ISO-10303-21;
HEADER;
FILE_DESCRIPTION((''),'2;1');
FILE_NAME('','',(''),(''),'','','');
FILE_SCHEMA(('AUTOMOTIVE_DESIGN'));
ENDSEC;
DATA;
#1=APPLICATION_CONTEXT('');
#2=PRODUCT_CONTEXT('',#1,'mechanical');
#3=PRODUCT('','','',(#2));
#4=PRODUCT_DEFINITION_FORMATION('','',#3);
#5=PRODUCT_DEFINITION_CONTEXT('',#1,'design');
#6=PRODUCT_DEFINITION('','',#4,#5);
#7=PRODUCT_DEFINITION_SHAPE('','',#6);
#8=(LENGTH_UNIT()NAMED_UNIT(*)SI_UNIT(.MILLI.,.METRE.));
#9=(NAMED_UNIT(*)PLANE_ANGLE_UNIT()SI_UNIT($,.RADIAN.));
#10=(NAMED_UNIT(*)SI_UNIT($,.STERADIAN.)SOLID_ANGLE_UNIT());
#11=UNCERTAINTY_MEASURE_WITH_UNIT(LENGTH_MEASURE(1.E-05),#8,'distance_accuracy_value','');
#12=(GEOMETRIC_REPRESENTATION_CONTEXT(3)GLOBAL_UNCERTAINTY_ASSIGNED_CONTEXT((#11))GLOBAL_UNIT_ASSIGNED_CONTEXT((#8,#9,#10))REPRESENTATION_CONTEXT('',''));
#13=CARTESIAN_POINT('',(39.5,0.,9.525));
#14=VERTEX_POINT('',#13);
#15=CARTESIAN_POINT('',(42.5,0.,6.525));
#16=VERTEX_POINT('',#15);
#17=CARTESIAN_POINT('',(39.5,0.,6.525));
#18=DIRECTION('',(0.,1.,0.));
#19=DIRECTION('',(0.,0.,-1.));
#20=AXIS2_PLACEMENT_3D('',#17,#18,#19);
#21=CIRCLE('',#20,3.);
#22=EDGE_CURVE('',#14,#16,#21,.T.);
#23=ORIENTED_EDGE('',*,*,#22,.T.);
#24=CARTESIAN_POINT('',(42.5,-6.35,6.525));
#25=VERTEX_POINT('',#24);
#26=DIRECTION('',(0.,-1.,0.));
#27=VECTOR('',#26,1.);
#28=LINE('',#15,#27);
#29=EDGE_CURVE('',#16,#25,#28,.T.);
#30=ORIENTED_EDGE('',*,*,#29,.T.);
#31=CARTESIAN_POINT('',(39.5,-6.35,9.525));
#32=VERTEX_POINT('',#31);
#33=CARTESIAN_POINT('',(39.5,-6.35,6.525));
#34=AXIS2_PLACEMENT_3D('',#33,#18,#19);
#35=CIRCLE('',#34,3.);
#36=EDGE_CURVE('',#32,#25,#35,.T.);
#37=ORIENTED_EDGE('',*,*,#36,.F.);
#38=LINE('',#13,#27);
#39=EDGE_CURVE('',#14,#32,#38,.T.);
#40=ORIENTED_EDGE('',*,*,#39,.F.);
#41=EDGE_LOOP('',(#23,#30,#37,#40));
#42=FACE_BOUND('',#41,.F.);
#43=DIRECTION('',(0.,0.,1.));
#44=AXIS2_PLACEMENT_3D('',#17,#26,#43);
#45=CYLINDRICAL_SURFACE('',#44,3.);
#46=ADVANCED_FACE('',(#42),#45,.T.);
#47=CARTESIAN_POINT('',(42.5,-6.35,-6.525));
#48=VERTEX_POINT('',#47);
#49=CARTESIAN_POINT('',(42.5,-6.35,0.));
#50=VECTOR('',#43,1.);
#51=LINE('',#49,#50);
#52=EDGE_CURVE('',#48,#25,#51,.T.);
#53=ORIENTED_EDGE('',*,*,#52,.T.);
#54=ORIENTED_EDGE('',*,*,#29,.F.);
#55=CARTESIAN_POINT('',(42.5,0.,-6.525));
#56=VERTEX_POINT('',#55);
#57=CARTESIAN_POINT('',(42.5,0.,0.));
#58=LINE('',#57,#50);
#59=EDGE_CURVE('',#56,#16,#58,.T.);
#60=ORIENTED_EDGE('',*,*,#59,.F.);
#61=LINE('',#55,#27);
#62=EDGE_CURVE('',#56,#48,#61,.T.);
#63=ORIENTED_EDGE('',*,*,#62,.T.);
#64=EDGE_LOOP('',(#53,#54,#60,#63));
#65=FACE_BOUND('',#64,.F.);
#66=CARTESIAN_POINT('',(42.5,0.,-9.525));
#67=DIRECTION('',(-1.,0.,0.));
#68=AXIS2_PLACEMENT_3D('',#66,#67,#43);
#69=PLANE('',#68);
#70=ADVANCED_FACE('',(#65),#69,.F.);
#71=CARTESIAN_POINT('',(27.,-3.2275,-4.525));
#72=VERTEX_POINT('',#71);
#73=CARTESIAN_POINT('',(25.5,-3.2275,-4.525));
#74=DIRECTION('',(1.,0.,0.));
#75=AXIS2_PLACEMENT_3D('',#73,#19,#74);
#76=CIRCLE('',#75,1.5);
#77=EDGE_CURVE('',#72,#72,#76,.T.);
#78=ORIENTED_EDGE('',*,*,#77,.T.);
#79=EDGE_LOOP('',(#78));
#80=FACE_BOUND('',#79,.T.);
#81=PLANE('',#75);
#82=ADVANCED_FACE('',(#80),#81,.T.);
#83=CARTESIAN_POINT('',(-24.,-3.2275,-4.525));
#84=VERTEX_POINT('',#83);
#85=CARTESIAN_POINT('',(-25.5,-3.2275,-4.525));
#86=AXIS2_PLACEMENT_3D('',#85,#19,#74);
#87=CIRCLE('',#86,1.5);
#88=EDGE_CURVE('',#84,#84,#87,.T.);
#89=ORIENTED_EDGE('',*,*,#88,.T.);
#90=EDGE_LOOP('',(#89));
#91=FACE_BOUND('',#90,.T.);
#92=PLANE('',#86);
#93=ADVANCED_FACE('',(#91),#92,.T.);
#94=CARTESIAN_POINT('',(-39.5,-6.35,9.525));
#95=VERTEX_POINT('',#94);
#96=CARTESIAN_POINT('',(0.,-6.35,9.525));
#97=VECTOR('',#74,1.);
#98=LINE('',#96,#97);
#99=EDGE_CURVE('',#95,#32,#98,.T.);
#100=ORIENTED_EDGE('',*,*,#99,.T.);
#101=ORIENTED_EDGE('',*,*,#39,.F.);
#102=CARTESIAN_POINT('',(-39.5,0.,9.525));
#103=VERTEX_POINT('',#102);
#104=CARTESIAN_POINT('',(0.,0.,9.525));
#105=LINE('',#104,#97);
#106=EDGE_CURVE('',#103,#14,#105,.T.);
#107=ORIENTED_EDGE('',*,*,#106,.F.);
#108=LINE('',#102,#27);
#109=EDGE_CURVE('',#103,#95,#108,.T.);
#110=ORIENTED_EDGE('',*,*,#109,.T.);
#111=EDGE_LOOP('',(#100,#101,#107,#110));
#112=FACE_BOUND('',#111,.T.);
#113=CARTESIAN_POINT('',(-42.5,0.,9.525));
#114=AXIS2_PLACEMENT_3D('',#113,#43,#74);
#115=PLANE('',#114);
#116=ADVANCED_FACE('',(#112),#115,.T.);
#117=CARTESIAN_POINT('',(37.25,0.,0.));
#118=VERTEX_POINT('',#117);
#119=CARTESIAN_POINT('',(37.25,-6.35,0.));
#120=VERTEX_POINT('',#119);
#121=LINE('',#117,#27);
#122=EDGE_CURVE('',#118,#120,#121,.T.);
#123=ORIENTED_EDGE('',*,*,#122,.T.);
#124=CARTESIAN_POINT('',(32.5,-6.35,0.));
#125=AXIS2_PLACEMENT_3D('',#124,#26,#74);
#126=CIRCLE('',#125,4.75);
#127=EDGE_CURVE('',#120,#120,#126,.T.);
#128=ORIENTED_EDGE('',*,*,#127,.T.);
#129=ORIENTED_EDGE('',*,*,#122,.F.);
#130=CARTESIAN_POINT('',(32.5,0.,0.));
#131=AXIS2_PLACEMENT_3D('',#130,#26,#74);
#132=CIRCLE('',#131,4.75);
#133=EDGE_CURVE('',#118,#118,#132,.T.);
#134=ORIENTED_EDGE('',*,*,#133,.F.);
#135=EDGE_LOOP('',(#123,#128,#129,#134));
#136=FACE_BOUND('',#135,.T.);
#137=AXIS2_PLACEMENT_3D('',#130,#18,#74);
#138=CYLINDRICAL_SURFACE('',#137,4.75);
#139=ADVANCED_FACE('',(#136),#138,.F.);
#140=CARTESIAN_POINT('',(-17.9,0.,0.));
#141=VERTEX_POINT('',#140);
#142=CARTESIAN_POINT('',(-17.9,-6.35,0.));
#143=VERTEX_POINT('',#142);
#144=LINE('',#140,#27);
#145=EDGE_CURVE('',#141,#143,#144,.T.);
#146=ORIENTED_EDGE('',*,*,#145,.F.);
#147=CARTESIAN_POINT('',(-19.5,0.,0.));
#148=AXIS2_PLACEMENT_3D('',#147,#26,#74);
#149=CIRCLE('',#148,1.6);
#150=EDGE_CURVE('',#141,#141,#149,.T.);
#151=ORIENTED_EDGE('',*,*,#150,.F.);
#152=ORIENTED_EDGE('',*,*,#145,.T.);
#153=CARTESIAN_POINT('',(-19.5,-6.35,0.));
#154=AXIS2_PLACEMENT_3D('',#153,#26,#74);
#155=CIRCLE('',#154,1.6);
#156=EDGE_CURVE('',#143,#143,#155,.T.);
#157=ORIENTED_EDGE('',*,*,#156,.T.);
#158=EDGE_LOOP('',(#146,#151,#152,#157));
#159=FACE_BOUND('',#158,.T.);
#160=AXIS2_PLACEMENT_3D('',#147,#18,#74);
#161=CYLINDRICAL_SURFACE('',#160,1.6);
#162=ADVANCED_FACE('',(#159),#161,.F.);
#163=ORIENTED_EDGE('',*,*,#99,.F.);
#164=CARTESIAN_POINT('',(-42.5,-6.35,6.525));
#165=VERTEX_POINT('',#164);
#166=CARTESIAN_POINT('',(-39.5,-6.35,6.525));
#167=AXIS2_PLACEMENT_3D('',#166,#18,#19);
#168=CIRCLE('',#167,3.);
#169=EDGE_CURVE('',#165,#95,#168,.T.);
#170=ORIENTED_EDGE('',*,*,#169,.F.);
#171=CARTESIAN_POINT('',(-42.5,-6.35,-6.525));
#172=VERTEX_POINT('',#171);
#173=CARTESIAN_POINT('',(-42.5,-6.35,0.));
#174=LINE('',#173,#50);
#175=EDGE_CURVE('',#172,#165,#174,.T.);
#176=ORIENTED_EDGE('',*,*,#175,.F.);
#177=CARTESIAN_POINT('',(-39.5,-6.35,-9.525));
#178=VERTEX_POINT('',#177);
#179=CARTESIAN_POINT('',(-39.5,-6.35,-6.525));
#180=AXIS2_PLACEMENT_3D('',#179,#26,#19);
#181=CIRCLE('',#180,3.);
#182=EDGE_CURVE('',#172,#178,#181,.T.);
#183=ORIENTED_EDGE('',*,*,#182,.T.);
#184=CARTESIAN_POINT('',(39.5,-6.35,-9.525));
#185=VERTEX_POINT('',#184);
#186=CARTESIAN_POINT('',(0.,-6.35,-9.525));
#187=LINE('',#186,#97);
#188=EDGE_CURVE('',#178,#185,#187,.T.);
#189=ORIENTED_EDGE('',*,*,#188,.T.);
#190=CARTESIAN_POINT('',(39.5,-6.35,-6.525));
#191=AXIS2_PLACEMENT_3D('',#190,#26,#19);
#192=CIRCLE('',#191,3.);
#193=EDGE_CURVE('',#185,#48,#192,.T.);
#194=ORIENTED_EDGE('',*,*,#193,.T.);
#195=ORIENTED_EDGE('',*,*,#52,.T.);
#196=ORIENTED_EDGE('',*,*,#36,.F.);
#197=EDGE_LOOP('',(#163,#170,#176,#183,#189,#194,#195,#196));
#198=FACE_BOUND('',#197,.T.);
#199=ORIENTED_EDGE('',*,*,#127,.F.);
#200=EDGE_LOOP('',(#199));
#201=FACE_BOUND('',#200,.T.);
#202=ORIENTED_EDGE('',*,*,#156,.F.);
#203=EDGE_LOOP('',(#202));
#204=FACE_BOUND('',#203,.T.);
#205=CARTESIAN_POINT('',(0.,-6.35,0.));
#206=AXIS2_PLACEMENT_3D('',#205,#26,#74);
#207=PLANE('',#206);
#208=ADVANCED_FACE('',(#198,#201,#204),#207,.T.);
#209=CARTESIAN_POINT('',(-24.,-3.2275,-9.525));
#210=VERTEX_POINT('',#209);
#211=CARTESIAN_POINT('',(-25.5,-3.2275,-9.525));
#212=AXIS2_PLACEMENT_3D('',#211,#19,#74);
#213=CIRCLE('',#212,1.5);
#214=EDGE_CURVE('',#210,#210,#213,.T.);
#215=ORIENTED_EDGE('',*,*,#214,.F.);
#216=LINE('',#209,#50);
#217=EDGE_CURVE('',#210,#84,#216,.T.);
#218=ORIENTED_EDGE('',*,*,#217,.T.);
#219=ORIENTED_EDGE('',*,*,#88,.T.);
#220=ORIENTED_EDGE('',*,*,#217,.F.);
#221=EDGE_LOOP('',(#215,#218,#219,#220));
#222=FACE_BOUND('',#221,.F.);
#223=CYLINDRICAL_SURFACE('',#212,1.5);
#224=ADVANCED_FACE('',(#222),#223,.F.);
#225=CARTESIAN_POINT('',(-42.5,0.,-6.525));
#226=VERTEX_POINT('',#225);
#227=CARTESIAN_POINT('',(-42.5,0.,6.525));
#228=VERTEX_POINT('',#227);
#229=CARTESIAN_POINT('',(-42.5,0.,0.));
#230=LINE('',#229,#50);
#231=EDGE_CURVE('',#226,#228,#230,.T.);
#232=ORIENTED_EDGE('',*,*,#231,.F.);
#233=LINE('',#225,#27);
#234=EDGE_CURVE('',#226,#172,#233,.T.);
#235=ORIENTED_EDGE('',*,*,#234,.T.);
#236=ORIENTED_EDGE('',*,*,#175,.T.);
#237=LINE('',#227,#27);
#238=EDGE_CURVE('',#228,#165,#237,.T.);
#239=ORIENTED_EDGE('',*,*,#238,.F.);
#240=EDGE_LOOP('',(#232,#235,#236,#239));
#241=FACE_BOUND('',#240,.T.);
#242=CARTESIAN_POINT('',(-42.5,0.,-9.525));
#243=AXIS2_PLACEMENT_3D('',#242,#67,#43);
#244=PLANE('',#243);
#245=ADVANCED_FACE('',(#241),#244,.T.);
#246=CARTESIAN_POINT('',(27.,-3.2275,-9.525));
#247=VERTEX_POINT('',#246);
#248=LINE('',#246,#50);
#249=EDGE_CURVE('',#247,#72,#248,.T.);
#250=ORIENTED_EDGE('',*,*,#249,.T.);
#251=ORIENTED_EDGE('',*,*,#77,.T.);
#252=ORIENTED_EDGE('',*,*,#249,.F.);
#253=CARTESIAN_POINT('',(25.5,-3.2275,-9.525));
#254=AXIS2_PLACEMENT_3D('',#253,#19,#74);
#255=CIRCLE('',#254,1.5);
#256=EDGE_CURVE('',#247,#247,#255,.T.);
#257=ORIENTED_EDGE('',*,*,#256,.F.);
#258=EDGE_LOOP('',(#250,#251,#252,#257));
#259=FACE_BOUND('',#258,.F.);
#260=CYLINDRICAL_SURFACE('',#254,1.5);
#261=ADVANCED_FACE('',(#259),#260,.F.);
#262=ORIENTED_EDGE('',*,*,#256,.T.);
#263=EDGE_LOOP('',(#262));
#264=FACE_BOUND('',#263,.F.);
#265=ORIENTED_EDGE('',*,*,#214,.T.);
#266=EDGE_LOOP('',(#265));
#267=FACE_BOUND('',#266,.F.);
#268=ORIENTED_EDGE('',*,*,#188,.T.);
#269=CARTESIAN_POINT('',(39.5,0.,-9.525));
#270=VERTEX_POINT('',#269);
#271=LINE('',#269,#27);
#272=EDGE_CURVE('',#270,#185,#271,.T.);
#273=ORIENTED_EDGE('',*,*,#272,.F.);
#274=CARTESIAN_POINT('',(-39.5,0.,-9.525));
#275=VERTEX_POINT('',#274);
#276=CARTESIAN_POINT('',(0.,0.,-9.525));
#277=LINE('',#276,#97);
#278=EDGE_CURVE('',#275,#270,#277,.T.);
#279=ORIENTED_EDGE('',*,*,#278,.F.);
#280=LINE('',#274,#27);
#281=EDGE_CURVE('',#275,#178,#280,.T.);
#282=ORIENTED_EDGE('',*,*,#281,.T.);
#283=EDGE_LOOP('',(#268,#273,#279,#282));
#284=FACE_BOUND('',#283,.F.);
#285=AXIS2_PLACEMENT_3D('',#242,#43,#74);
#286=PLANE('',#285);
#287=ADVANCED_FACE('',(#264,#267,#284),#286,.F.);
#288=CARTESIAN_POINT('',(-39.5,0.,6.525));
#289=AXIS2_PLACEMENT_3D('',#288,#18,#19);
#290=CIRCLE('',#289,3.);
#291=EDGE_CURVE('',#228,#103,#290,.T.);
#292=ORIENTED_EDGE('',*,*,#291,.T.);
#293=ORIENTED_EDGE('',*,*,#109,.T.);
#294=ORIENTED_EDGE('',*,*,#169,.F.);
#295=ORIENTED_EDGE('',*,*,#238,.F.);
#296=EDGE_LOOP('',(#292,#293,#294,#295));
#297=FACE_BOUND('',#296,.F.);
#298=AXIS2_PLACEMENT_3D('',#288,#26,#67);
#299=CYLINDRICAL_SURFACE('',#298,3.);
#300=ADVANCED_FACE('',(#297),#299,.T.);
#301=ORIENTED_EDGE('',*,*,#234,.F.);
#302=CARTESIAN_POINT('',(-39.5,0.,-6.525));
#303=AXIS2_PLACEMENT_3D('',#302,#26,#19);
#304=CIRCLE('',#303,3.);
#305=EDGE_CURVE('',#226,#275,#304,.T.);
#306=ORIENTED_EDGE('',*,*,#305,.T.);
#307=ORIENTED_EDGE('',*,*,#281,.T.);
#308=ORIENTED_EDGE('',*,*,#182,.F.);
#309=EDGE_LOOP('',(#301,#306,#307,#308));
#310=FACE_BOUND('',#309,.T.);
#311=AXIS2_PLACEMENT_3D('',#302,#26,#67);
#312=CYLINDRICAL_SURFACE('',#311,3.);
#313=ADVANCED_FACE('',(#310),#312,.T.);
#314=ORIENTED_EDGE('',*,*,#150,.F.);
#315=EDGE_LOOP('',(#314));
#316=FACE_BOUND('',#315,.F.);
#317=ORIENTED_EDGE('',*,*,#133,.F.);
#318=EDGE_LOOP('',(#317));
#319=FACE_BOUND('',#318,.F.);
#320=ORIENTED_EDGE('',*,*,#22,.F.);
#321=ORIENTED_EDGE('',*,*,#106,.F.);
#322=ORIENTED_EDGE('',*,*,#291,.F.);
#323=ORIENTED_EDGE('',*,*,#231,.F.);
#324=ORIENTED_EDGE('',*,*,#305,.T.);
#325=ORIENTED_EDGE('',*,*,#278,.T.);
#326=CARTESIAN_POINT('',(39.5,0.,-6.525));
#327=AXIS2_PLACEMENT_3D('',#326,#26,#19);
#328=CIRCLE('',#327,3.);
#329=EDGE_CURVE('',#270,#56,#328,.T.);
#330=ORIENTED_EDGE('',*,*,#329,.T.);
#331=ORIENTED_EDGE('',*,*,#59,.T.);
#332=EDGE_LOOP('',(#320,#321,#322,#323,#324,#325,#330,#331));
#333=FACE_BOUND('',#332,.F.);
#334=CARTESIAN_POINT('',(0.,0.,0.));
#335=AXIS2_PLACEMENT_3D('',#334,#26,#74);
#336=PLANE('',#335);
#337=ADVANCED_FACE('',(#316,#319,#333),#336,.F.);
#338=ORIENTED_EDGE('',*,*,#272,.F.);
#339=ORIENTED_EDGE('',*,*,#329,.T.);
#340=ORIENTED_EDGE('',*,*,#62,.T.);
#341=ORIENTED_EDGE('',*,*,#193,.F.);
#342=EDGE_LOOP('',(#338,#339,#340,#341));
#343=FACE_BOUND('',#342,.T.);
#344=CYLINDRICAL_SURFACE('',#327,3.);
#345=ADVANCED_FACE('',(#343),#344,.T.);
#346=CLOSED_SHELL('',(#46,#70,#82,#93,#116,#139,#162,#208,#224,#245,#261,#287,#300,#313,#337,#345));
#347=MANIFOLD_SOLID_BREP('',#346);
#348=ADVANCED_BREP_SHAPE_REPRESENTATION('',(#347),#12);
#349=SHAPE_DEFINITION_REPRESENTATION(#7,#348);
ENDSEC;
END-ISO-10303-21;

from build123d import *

# Parameters (mm, degrees)
F0_W     = 85
F0_H     = 19.05
F0_R     = 1.6
F0_R_2   = 4.75
F1_DEPTH = 6.35
F2_R     = 3
F3_R     = 1.5
F4_DEPTH = 5


with BuildPart() as f1:
    # F0 (on Front) → F1 (new body)
    with BuildSketch(Plane.XZ):
        Rectangle(F0_W, F0_H)
        with Locations((-19.5, 0)):
            Circle(F0_R, mode=Mode.SUBTRACT)
        with Locations((32.5, 0)):
            Circle(F0_R_2, mode=Mode.SUBTRACT)
    extrude(amount=F1_DEPTH)

    # F2
    f2_edges = [f1.edges().sort_by_distance(p)[0] for p in [
        (-42.5, -3.175, 9.525),
        (-42.5, -3.175, -9.525),
        (42.5, -3.175, -9.525),
        (42.5, -3.175, 9.525),
    ]]
    fillet(f2_edges, radius=F2_R)

    # F3 (on face) → F4 (cut)
    with BuildSketch(Plane(origin=(0, 0, -9.525), x_dir=(1, 0, 0), z_dir=(0, 0, -1))):
        with Locations((-25.5, 3.2275)):
            Circle(F3_R)
        with Locations((25.5, 3.2275)):
            Circle(F3_R)
    extrude(amount=-F4_DEPTH, mode=Mode.SUBTRACT)


solid = f1.part
